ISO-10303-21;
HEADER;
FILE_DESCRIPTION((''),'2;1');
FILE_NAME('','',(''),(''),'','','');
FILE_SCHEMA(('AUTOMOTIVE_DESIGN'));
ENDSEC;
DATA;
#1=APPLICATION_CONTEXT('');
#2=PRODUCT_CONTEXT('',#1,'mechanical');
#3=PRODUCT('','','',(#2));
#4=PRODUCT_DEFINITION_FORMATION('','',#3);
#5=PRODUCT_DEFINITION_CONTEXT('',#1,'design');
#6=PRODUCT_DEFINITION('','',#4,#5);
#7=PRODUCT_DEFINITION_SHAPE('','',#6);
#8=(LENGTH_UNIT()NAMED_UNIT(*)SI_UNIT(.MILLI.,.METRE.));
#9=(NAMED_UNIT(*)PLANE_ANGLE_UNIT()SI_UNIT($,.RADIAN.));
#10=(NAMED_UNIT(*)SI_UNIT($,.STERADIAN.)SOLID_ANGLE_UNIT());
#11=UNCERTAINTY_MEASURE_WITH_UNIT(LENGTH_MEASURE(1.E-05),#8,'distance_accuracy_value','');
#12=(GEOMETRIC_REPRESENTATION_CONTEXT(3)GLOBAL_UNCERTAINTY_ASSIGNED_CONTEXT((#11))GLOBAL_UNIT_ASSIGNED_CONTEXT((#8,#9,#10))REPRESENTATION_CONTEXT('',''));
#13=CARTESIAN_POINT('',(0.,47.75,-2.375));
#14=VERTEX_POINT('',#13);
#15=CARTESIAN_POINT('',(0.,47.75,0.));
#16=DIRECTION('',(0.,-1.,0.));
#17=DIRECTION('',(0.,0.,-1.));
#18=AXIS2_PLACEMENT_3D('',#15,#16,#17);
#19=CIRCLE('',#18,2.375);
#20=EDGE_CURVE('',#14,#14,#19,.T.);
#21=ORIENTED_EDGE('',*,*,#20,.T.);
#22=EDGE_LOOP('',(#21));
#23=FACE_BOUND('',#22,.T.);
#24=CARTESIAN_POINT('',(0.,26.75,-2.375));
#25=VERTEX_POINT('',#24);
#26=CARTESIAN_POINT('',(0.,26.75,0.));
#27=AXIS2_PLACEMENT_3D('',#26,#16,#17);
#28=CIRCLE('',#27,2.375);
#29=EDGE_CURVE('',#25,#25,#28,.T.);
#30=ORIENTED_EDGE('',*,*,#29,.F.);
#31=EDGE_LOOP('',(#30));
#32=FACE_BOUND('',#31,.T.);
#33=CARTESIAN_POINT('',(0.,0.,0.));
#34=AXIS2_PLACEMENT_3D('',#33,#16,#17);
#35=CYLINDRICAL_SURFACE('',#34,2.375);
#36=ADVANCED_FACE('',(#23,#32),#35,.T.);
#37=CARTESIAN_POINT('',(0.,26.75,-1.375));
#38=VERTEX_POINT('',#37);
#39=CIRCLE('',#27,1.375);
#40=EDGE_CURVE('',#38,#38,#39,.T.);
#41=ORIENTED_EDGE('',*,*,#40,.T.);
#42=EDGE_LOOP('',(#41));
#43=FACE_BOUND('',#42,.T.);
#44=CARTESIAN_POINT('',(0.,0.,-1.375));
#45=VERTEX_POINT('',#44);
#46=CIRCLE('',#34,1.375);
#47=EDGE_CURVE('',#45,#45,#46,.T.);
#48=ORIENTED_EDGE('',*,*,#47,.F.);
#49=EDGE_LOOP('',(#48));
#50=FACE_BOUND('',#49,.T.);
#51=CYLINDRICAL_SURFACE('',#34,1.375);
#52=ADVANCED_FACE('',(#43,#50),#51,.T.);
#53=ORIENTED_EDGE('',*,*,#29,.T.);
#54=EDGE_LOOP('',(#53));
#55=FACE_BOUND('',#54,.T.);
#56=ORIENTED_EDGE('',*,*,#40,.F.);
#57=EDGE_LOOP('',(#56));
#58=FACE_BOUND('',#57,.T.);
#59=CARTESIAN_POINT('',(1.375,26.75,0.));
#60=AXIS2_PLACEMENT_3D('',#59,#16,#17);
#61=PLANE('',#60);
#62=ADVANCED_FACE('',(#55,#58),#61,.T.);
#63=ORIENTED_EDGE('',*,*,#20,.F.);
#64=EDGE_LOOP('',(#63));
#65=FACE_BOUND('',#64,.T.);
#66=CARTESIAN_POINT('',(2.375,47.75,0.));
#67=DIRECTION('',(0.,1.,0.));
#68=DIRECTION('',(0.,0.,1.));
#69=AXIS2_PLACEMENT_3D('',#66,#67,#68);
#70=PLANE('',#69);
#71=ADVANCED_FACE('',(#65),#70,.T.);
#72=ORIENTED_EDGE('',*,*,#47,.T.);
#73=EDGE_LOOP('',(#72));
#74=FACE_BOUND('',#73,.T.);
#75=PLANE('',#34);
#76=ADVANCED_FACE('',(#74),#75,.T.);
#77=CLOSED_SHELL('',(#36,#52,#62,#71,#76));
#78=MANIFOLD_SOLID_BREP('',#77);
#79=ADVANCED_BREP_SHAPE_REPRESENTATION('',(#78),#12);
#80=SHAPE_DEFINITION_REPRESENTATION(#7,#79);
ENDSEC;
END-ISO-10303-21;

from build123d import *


with BuildPart() as part:
    # Sketch1 → Revolve1 (revolve)
    with BuildSketch(Plane.XY, mode=Mode.PRIVATE) as revolve1_sk:
        Polygon((0, 0), (1.375, 0), (1.375, 26.75), (2.375, 26.75), (2.375, 47.75), (0, 47.75), align=None)
    revolve(revolve1_sk.sketch.rotate(Axis((0, 0, 0), (0, 1, 0)), 90), axis=Axis((0, 0, 0), (0, 1, 0)))


solid = part.part
